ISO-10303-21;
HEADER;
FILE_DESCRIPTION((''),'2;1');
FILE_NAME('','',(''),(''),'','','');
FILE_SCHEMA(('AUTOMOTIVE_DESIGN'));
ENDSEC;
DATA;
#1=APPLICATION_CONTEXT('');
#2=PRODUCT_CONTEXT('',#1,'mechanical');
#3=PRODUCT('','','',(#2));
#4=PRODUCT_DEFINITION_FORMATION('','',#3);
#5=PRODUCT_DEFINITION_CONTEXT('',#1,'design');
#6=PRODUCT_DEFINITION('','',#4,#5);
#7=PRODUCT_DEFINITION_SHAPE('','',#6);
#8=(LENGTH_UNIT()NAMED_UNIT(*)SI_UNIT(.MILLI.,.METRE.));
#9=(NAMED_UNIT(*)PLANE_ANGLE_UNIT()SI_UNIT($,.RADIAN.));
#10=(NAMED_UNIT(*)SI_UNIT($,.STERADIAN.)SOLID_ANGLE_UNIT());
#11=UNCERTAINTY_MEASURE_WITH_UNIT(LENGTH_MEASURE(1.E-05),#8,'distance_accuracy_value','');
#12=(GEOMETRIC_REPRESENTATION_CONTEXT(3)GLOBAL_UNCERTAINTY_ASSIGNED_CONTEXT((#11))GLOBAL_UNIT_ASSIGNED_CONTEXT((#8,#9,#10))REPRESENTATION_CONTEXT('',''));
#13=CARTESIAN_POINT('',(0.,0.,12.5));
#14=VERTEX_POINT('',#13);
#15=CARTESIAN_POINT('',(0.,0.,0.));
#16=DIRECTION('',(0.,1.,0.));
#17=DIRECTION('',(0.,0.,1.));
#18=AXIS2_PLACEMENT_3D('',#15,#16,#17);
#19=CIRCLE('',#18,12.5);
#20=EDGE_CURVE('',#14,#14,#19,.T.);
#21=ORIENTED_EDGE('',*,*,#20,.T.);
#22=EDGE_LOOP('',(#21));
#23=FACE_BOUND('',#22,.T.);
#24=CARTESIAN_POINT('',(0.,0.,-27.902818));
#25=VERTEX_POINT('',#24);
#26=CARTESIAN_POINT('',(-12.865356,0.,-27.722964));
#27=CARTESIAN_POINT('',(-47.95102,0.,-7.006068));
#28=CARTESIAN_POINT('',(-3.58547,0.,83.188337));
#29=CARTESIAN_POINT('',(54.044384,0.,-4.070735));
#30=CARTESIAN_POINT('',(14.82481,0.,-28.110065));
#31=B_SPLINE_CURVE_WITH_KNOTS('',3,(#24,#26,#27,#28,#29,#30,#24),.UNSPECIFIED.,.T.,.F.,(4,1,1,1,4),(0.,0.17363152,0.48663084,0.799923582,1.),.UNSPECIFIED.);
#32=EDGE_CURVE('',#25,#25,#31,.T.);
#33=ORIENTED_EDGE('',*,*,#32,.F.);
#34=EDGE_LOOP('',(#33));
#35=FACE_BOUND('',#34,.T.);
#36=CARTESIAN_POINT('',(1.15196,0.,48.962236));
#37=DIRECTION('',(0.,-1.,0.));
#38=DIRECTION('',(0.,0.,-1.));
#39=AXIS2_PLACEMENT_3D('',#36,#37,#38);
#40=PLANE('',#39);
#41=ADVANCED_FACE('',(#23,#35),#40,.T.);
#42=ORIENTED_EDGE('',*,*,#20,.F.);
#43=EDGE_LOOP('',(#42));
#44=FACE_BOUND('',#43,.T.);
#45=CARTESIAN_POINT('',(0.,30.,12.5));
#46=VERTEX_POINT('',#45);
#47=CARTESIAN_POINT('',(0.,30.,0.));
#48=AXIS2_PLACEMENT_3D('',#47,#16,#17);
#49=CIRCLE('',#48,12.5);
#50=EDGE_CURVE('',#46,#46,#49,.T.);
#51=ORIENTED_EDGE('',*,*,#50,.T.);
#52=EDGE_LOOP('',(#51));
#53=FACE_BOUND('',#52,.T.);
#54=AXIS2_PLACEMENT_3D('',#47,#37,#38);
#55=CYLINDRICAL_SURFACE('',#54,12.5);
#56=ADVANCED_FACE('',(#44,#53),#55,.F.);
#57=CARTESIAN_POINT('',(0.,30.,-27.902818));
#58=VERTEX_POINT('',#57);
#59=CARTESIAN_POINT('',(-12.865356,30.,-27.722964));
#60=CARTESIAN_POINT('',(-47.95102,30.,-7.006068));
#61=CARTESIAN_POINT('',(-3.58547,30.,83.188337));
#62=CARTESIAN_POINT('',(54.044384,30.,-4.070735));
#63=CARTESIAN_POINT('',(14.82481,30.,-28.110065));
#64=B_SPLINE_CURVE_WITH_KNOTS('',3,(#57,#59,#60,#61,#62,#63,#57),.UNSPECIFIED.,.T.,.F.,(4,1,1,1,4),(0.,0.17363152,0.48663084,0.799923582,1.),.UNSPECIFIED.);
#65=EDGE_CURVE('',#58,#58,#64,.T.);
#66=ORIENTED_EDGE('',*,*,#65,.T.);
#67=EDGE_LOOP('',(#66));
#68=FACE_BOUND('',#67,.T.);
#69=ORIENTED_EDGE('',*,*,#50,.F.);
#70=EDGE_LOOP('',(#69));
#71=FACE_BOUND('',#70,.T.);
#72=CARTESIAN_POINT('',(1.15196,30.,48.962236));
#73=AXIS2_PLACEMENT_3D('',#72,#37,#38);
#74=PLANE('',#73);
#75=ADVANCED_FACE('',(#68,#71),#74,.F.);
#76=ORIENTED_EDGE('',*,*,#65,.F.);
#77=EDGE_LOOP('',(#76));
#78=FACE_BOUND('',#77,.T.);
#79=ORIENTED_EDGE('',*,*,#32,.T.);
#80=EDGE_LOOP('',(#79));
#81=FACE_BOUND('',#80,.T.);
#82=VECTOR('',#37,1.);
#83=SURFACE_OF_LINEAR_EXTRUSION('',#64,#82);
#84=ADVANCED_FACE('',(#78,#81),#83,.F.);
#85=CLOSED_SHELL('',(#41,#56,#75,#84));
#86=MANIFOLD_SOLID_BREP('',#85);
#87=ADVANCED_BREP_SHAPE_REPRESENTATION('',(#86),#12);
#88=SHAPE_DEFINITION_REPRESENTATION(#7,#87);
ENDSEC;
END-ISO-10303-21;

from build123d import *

# Parameters (mm, degrees)
SKETCH1_R           = 12.5
BOSS_EXTRUDE1_DEPTH = 30


with BuildPart() as part:
    # Sketch1 → Boss-Extrude1 (new body)
    with BuildSketch(Plane(origin=(0, 0, 0), x_dir=(1, 0, 0), z_dir=(0, 1, 0))):
        with BuildLine():
            add(Edge.make_bspline(
                [(0, 27.902818267), (-12.865356056, 27.722964416), (-47.951019888, 7.006068316), (-3.585470189, -83.188336694), (54.044384471, 4.070735403), (14.824810361, 28.110064706), (0, 27.902818267)],
                knots=[0, 0, 0, 0, 0.17363152, 0.48663084, 0.799923582, 1, 1, 1, 1], degree=3))
        make_face()
        with Locations(Location((0, 0, 0), (0, 0, 270))):
            Circle(SKETCH1_R, mode=Mode.SUBTRACT)
    extrude(amount=BOSS_EXTRUDE1_DEPTH)


solid = part.part
